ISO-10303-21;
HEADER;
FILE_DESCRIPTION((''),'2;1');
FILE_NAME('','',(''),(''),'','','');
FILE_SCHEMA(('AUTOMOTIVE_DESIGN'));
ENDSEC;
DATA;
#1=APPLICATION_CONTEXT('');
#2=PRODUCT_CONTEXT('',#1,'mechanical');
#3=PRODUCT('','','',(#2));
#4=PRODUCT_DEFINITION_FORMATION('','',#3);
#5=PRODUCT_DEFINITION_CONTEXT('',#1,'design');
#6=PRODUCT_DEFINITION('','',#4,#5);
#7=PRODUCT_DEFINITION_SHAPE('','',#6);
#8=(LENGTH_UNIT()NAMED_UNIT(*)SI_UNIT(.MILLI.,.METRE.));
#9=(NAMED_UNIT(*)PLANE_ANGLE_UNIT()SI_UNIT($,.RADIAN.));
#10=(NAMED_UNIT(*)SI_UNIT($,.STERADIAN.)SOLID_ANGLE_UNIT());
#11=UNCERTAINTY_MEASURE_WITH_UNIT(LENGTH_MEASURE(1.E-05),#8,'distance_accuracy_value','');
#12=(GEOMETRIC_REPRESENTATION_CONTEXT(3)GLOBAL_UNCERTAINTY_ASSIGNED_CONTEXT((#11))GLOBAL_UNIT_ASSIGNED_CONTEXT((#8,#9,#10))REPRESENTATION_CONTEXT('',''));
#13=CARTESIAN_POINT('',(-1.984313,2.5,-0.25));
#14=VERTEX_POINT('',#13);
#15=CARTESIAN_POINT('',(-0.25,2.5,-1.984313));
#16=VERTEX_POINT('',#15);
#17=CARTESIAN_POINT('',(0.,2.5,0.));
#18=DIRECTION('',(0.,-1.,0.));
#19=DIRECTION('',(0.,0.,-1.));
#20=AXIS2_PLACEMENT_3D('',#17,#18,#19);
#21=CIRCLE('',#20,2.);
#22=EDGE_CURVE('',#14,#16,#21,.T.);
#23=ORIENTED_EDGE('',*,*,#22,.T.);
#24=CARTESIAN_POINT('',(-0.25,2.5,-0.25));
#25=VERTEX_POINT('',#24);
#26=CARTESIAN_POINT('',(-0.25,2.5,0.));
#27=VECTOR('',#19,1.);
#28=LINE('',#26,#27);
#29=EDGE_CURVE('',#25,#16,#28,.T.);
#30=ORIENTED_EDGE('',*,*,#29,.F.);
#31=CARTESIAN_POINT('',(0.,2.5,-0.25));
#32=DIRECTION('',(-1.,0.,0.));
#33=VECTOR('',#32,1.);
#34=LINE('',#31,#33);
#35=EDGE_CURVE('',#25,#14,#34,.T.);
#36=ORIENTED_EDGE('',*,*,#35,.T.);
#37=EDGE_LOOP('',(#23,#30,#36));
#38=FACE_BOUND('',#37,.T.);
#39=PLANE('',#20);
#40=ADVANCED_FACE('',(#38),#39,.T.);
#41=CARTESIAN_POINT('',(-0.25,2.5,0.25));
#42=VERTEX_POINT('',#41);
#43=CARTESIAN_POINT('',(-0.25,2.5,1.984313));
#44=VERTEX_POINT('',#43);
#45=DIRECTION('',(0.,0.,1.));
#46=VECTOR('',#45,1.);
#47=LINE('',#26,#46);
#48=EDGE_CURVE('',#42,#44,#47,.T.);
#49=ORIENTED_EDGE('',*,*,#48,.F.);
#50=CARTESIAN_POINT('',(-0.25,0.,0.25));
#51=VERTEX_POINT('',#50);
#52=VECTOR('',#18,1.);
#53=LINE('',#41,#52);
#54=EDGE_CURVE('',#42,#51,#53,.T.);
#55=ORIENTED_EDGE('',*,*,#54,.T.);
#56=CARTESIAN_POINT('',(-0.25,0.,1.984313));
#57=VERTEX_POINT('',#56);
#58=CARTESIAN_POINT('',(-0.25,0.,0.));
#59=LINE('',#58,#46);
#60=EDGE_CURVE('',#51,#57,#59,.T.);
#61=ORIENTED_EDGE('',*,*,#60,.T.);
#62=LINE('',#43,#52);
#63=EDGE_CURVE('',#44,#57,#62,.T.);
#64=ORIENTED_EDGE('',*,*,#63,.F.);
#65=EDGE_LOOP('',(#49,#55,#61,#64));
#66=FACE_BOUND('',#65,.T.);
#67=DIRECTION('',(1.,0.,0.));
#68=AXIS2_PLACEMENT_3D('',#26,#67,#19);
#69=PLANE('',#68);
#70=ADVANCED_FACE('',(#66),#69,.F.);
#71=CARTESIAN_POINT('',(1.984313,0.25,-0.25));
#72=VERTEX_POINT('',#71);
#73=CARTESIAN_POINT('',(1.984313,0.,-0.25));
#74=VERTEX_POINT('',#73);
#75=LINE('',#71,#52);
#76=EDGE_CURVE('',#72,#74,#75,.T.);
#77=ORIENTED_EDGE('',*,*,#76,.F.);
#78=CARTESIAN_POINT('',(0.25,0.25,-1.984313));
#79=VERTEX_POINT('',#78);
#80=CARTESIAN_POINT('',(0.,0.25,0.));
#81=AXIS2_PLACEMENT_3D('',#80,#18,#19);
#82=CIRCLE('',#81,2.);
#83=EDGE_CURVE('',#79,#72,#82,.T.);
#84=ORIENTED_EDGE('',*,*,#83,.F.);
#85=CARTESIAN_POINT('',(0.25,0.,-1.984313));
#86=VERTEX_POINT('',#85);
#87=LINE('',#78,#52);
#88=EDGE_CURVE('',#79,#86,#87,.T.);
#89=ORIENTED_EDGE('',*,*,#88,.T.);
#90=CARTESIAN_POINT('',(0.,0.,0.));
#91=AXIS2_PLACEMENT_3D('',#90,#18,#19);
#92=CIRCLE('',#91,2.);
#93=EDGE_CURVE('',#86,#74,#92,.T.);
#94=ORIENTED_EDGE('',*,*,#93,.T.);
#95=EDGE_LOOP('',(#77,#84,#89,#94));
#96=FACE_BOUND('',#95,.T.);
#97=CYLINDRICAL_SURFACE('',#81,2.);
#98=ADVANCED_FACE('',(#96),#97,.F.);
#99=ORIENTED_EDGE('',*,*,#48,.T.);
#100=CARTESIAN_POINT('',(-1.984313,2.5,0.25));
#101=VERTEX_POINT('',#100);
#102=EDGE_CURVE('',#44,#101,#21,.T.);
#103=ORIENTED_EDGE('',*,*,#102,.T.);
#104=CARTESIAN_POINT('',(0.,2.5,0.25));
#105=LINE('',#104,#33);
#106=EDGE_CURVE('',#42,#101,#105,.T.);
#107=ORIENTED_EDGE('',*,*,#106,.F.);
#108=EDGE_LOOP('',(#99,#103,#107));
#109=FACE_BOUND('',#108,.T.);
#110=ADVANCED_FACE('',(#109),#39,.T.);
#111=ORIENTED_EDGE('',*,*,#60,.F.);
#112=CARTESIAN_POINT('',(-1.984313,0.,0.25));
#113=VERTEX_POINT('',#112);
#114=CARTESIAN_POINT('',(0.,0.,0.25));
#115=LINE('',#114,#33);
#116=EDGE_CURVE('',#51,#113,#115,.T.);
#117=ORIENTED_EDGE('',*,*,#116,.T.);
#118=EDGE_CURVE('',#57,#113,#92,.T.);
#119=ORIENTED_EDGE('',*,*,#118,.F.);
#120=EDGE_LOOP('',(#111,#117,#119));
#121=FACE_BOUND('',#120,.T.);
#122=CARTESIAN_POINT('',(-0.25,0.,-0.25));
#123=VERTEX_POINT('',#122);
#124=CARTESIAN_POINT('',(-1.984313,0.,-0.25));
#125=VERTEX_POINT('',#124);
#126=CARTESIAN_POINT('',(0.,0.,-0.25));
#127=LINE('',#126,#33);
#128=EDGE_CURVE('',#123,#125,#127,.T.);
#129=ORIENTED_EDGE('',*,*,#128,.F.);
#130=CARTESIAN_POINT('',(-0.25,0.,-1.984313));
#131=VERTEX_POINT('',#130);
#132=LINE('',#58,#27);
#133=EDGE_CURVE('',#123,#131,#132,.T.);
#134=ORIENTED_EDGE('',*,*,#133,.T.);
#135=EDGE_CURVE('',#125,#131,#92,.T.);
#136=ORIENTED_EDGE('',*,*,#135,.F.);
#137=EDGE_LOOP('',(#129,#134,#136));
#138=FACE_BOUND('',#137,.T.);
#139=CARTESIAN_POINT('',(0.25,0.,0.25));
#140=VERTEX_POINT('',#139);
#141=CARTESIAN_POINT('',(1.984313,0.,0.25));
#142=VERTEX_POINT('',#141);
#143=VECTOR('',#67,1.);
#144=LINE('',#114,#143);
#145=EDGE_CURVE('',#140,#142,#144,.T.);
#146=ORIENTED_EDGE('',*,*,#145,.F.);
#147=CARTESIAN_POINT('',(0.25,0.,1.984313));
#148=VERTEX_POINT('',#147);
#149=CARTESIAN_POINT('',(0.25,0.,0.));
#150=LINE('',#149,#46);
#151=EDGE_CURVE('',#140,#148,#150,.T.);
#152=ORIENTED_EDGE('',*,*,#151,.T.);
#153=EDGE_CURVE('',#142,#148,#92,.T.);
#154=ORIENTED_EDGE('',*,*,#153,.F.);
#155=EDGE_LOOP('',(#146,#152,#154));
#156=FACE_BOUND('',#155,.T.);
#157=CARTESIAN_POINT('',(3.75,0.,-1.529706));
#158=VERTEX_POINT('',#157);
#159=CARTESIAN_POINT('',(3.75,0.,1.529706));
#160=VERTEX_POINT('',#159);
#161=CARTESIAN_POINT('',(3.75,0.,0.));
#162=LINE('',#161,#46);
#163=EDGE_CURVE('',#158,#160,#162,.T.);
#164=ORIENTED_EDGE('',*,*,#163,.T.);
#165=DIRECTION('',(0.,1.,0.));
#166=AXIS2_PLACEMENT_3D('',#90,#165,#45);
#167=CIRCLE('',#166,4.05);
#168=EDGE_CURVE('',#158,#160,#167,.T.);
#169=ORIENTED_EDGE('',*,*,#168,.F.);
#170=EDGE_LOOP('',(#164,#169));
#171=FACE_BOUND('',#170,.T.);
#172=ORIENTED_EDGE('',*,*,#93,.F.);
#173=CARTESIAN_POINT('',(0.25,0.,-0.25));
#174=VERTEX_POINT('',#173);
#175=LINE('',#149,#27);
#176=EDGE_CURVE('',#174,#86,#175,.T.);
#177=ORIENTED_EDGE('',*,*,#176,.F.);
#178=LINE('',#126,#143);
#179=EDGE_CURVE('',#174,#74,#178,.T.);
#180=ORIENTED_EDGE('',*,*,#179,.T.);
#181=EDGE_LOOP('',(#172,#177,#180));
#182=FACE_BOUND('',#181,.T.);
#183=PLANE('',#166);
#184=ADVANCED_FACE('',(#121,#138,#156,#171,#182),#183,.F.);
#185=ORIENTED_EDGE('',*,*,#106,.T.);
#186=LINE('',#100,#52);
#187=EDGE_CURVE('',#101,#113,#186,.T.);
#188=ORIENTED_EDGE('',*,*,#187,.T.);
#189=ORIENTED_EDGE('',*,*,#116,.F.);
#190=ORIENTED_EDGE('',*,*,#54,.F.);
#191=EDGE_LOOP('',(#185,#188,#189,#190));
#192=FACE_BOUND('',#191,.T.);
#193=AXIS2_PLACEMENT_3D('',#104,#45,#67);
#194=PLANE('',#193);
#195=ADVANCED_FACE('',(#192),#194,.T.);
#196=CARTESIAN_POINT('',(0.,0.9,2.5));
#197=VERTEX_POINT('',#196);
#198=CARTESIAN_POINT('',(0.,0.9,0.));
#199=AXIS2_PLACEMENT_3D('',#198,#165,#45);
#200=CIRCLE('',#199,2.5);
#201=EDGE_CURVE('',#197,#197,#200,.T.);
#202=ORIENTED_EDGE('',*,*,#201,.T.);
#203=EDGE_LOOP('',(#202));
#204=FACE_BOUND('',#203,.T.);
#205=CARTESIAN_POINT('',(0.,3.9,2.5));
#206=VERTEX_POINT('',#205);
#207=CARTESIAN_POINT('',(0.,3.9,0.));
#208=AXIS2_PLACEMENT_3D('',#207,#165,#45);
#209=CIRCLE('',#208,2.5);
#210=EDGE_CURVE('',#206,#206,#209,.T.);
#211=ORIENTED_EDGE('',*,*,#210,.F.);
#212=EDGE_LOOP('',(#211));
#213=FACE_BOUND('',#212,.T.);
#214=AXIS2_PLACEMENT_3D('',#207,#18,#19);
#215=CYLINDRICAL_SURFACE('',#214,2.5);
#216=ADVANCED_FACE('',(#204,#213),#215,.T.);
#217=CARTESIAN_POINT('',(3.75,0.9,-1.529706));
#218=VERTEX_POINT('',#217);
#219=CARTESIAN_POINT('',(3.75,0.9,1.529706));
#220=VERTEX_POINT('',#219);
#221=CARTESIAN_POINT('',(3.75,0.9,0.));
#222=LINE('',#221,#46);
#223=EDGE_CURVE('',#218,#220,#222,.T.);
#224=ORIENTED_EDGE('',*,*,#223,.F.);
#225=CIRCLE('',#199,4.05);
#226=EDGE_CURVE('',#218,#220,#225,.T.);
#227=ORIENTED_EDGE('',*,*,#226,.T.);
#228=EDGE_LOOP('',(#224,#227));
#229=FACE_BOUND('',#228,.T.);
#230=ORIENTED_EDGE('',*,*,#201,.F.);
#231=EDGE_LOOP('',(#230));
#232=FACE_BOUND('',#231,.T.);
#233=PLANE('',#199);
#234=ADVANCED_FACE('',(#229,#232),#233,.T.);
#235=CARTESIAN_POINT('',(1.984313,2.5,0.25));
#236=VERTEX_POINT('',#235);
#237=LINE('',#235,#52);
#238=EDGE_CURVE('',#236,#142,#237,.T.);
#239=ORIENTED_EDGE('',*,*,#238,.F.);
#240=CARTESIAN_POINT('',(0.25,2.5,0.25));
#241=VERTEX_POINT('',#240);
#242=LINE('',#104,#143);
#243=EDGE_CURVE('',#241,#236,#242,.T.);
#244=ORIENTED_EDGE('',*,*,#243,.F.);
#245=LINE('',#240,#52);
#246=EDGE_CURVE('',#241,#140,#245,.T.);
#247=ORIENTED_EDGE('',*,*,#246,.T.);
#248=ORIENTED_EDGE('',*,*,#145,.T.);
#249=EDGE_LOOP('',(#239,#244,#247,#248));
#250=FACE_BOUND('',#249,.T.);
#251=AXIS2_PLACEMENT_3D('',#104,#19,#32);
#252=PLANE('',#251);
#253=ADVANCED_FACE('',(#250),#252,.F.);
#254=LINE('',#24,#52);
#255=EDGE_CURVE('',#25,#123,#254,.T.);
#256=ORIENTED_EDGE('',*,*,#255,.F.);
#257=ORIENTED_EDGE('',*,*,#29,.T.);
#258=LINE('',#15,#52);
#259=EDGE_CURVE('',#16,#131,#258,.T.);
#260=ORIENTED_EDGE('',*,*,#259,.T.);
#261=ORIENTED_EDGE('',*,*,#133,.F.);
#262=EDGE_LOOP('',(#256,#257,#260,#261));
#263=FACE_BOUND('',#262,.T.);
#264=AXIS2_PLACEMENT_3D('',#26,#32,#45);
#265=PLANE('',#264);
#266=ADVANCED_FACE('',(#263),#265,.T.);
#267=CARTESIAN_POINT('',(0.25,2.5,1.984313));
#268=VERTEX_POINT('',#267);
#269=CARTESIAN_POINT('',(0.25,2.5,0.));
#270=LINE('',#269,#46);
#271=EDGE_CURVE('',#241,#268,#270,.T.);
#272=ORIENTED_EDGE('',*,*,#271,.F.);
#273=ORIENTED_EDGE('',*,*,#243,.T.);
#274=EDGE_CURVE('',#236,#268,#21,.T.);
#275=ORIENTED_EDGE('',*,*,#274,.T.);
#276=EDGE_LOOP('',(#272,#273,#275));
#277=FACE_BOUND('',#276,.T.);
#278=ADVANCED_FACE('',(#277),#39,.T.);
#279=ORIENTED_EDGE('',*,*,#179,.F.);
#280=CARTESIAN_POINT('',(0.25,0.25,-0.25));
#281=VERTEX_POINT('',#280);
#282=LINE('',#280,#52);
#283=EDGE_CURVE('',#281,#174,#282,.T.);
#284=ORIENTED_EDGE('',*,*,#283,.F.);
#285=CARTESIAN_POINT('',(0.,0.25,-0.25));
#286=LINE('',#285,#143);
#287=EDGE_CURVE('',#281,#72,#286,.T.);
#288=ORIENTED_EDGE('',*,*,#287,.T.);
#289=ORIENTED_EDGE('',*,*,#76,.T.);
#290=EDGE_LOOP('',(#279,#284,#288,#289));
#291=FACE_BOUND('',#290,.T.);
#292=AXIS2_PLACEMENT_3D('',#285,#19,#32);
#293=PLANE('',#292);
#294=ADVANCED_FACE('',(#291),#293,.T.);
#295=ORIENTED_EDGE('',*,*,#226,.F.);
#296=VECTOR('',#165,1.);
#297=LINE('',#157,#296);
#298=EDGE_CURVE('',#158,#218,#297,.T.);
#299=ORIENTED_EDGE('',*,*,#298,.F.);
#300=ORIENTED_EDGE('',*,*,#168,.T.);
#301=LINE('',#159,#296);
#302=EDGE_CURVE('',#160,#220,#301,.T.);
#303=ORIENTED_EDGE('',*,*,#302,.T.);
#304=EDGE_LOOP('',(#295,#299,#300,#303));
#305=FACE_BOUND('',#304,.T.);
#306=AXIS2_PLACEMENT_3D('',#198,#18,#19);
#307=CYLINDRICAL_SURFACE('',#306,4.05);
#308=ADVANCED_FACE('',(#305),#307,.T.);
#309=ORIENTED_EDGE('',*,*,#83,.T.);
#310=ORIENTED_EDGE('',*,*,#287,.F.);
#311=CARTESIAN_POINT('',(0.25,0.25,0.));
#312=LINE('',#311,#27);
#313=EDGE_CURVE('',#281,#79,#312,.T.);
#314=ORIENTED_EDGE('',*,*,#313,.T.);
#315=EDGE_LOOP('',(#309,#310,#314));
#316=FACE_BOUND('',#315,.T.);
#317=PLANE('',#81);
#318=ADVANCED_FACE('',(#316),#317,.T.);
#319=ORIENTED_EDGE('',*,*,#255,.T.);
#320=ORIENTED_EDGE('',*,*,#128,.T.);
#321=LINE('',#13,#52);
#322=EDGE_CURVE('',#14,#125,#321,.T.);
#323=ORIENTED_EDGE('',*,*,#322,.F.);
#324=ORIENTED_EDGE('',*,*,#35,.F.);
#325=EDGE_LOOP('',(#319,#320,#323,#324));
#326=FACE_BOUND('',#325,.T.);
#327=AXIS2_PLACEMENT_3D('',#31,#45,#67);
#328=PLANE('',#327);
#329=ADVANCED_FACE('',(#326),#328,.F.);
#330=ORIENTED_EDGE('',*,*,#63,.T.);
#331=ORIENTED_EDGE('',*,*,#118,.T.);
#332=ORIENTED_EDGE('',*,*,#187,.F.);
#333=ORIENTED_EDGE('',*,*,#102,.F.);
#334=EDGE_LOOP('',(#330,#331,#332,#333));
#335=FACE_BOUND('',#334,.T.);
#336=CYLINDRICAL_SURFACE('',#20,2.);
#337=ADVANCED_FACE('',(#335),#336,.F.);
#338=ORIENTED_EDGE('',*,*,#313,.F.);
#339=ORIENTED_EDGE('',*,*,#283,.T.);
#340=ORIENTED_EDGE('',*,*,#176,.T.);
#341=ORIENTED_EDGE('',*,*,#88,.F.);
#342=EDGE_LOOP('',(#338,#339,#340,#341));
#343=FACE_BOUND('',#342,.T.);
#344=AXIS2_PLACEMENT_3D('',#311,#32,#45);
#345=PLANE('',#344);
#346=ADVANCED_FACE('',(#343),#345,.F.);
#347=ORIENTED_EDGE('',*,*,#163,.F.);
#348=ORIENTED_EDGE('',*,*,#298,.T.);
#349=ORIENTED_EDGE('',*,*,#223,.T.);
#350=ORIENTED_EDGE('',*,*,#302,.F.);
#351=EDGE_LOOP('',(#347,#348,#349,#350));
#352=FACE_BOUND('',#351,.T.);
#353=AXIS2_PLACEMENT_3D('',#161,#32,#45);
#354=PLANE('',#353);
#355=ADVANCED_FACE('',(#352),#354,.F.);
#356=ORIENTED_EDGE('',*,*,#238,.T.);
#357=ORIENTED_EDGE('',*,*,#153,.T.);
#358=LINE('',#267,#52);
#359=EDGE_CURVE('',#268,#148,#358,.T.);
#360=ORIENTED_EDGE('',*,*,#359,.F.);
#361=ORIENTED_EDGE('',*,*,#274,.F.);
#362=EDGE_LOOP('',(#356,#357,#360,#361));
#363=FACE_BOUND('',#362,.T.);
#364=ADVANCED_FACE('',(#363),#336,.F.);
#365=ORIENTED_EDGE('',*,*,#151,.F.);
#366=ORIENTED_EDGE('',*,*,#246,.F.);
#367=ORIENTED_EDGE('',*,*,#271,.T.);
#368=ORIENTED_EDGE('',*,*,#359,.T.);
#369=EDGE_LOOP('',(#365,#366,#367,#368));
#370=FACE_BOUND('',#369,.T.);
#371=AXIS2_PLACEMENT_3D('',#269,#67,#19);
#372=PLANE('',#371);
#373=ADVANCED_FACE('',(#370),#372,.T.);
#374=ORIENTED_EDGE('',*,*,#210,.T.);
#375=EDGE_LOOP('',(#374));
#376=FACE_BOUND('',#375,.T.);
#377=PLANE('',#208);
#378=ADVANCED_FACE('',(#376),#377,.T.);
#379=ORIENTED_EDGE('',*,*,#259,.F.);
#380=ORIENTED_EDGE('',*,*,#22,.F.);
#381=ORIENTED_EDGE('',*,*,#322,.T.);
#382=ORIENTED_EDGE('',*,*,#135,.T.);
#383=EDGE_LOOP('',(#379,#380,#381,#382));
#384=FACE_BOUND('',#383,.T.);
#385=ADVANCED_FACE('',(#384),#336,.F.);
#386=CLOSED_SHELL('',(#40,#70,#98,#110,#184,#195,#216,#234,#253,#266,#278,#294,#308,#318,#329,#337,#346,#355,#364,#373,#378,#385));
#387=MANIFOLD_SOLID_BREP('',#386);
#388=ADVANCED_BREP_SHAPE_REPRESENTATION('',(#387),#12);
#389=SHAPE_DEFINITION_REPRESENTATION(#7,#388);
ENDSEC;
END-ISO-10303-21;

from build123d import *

# Parameters (mm, degrees)
SKETCH1_R           = 4.05
BOSS_EXTRUDE1_DEPTH = 0.9
CUT_EXTRUDE1_START  = -0.9
CUT_EXTRUDE1_DEPTH  = 0.9
SKETCH3_R           = 2.5
BOSS_EXTRUDE2_DEPTH = 3
CUT_EXTRUDE3_DEPTH  = 2.5
CUT_EXTRUDE4_DEPTH  = 0.25


with BuildPart() as part:
    # Sketch1 → Boss-Extrude1 (new body)
    with BuildSketch(Plane(origin=(0, 0, 0), x_dir=(1, 0, 0), z_dir=(0, 1, 0))):
        Circle(SKETCH1_R)
    extrude(amount=BOSS_EXTRUDE1_DEPTH)

    # Sketch2 → Cut-Extrude1 (cut)
    with BuildSketch(Plane(origin=(0, 0.9, 0), x_dir=(1, 0, 0), z_dir=(0, 1, 0)).offset(CUT_EXTRUDE1_START)):
        with BuildLine():
            Line((3.75, 1.529705854), (3.75, 0))
            Line((3.75, 0), (3.75, -1.529705854))
            ThreePointArc((3.75, -1.529705854), (3.97429239, -0.779422863), (4.05, 0))
            ThreePointArc((4.05, 0), (3.97429239, 0.779422863), (3.75, 1.529705854))
        make_face()
    extrude(amount=CUT_EXTRUDE1_DEPTH, mode=Mode.SUBTRACT)

    # Sketch3 → Boss-Extrude2 (add)
    with BuildSketch(Plane(origin=(0, 0.9, 0), x_dir=(1, 0, 0), z_dir=(0, 1, 0))):
        Circle(SKETCH3_R)
    extrude(amount=BOSS_EXTRUDE2_DEPTH)

    # Sketch4 → Cut-Extrude3 (cut)
    with BuildSketch(Plane.XZ):
        with BuildLine():
            Line((-1.984313483, 0.25), (-0.25, 0.25))
            Line((-0.25, 0.25), (-0.25, 1.984313483))
            ThreePointArc((-0.25, 1.984313483), (-1.414213562, 1.414213562), (-1.984313483, 0.25))
        make_face()
        with BuildLine():
            Line((0.25, 1.984313483), (0.25, 0.25))
            Line((0.25, 0.25), (1.984313483, 0.25))
            ThreePointArc((1.984313483, 0.25), (1.414213562, 1.414213562), (0.25, 1.984313483))
        make_face()
        with BuildLine():
            Line((-0.25, -1.984313483), (-0.25, -0.25))
            Line((-0.25, -0.25), (-1.984313483, -0.25))
            ThreePointArc((-1.984313483, -0.25), (-1.414213562, -1.414213562), (-0.25, -1.984313483))
        make_face()
    extrude(amount=-CUT_EXTRUDE3_DEPTH, mode=Mode.SUBTRACT)

    # Sketch4<3> → Cut-Extrude4 (cut)
    with BuildSketch(Plane.XZ):
        with BuildLine():
            Line((1.984313483, -0.25), (0.25, -0.25))
            Line((0.25, -0.25), (0.25, -1.984313483))
            ThreePointArc((0.25, -1.984313483), (1.414213562, -1.414213562), (1.984313483, -0.25))
        make_face()
    extrude(amount=-CUT_EXTRUDE4_DEPTH, mode=Mode.SUBTRACT)


solid = part.part
